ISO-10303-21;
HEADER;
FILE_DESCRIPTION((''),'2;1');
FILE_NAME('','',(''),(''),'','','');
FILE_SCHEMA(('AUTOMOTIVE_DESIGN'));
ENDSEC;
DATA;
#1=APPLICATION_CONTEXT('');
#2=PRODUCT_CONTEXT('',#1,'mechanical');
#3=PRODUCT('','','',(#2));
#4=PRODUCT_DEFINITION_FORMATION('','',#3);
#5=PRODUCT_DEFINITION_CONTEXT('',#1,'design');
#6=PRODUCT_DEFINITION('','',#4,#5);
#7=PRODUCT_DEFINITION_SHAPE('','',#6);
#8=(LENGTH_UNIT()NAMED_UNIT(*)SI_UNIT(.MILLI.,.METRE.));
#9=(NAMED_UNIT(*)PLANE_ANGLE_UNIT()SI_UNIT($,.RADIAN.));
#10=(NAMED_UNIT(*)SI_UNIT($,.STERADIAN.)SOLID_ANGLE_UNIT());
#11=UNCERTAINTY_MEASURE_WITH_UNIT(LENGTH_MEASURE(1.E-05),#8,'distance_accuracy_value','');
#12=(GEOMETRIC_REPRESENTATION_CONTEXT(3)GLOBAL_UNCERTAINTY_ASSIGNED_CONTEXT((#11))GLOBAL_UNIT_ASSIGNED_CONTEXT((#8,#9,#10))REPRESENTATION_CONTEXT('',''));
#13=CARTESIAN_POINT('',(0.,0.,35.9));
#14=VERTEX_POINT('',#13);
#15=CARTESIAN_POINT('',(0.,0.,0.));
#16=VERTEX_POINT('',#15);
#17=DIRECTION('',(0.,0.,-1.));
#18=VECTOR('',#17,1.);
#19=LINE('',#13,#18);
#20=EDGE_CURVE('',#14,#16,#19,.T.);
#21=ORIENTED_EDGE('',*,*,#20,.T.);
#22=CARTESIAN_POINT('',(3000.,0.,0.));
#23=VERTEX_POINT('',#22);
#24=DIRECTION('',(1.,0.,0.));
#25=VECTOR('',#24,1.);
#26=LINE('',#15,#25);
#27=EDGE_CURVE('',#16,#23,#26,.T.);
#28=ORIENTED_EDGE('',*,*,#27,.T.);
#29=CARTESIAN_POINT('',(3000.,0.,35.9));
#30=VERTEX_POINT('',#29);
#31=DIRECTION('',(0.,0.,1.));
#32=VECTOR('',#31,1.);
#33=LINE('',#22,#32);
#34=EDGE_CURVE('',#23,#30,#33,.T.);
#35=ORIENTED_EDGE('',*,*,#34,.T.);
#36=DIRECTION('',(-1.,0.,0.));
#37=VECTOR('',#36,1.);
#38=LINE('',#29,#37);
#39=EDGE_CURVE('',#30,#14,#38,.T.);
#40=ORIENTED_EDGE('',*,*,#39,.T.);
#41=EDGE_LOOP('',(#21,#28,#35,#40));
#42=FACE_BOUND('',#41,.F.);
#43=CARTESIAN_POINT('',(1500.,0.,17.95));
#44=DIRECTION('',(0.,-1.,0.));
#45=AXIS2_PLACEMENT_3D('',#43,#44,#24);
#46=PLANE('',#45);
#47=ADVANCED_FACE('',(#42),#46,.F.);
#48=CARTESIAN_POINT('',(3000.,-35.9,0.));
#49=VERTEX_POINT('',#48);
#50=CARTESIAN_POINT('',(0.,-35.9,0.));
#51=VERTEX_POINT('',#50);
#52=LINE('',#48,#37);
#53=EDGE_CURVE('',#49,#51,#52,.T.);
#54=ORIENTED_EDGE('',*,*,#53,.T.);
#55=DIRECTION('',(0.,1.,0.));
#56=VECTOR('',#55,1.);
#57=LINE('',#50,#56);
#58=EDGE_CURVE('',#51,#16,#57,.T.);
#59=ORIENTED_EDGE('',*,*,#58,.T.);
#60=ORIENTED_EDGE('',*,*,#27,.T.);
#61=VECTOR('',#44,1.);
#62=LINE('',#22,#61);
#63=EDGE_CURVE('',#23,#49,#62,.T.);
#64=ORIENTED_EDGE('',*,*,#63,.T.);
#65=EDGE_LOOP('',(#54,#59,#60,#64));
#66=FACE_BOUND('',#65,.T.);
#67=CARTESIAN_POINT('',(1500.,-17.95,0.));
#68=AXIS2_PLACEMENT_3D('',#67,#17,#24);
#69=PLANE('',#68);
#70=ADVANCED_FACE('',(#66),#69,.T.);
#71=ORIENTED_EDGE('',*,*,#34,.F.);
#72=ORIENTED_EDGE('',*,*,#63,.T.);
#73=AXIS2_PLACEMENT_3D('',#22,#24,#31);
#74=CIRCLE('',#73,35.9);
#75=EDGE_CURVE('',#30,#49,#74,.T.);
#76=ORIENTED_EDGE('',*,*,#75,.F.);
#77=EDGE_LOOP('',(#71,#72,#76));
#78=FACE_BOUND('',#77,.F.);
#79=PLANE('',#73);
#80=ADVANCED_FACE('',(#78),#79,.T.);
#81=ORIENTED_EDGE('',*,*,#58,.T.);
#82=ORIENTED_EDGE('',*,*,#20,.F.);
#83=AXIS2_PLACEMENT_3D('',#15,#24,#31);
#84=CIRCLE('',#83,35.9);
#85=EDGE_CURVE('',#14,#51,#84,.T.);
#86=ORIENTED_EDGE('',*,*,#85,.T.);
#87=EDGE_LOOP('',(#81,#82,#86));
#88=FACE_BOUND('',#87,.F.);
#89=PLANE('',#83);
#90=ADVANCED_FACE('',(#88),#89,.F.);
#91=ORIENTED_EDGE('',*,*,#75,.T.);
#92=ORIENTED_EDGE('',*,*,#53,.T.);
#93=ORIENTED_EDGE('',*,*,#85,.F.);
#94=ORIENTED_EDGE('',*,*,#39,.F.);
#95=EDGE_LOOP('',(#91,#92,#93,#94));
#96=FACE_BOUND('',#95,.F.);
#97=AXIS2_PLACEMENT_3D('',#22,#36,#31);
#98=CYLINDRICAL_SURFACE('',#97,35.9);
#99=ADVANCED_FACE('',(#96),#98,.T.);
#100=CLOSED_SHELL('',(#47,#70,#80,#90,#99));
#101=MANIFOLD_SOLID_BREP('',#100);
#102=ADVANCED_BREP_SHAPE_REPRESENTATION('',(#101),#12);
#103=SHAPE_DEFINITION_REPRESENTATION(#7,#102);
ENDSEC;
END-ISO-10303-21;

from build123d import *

# Parameters (mm, degrees)
F1_ANGLE = 90


with BuildPart() as f1:
    # F0 (on Front) → F1 (revolve)
    with BuildSketch(Plane.XZ):
        Polygon((3000, 35.9), (0, 35.9), (0, 24.079584), (0, 0), (3000, 0), align=None)
    revolve(axis=Axis((1500, 0, 0), (1, 0, 0)), revolution_arc=F1_ANGLE)


solid = f1.part
